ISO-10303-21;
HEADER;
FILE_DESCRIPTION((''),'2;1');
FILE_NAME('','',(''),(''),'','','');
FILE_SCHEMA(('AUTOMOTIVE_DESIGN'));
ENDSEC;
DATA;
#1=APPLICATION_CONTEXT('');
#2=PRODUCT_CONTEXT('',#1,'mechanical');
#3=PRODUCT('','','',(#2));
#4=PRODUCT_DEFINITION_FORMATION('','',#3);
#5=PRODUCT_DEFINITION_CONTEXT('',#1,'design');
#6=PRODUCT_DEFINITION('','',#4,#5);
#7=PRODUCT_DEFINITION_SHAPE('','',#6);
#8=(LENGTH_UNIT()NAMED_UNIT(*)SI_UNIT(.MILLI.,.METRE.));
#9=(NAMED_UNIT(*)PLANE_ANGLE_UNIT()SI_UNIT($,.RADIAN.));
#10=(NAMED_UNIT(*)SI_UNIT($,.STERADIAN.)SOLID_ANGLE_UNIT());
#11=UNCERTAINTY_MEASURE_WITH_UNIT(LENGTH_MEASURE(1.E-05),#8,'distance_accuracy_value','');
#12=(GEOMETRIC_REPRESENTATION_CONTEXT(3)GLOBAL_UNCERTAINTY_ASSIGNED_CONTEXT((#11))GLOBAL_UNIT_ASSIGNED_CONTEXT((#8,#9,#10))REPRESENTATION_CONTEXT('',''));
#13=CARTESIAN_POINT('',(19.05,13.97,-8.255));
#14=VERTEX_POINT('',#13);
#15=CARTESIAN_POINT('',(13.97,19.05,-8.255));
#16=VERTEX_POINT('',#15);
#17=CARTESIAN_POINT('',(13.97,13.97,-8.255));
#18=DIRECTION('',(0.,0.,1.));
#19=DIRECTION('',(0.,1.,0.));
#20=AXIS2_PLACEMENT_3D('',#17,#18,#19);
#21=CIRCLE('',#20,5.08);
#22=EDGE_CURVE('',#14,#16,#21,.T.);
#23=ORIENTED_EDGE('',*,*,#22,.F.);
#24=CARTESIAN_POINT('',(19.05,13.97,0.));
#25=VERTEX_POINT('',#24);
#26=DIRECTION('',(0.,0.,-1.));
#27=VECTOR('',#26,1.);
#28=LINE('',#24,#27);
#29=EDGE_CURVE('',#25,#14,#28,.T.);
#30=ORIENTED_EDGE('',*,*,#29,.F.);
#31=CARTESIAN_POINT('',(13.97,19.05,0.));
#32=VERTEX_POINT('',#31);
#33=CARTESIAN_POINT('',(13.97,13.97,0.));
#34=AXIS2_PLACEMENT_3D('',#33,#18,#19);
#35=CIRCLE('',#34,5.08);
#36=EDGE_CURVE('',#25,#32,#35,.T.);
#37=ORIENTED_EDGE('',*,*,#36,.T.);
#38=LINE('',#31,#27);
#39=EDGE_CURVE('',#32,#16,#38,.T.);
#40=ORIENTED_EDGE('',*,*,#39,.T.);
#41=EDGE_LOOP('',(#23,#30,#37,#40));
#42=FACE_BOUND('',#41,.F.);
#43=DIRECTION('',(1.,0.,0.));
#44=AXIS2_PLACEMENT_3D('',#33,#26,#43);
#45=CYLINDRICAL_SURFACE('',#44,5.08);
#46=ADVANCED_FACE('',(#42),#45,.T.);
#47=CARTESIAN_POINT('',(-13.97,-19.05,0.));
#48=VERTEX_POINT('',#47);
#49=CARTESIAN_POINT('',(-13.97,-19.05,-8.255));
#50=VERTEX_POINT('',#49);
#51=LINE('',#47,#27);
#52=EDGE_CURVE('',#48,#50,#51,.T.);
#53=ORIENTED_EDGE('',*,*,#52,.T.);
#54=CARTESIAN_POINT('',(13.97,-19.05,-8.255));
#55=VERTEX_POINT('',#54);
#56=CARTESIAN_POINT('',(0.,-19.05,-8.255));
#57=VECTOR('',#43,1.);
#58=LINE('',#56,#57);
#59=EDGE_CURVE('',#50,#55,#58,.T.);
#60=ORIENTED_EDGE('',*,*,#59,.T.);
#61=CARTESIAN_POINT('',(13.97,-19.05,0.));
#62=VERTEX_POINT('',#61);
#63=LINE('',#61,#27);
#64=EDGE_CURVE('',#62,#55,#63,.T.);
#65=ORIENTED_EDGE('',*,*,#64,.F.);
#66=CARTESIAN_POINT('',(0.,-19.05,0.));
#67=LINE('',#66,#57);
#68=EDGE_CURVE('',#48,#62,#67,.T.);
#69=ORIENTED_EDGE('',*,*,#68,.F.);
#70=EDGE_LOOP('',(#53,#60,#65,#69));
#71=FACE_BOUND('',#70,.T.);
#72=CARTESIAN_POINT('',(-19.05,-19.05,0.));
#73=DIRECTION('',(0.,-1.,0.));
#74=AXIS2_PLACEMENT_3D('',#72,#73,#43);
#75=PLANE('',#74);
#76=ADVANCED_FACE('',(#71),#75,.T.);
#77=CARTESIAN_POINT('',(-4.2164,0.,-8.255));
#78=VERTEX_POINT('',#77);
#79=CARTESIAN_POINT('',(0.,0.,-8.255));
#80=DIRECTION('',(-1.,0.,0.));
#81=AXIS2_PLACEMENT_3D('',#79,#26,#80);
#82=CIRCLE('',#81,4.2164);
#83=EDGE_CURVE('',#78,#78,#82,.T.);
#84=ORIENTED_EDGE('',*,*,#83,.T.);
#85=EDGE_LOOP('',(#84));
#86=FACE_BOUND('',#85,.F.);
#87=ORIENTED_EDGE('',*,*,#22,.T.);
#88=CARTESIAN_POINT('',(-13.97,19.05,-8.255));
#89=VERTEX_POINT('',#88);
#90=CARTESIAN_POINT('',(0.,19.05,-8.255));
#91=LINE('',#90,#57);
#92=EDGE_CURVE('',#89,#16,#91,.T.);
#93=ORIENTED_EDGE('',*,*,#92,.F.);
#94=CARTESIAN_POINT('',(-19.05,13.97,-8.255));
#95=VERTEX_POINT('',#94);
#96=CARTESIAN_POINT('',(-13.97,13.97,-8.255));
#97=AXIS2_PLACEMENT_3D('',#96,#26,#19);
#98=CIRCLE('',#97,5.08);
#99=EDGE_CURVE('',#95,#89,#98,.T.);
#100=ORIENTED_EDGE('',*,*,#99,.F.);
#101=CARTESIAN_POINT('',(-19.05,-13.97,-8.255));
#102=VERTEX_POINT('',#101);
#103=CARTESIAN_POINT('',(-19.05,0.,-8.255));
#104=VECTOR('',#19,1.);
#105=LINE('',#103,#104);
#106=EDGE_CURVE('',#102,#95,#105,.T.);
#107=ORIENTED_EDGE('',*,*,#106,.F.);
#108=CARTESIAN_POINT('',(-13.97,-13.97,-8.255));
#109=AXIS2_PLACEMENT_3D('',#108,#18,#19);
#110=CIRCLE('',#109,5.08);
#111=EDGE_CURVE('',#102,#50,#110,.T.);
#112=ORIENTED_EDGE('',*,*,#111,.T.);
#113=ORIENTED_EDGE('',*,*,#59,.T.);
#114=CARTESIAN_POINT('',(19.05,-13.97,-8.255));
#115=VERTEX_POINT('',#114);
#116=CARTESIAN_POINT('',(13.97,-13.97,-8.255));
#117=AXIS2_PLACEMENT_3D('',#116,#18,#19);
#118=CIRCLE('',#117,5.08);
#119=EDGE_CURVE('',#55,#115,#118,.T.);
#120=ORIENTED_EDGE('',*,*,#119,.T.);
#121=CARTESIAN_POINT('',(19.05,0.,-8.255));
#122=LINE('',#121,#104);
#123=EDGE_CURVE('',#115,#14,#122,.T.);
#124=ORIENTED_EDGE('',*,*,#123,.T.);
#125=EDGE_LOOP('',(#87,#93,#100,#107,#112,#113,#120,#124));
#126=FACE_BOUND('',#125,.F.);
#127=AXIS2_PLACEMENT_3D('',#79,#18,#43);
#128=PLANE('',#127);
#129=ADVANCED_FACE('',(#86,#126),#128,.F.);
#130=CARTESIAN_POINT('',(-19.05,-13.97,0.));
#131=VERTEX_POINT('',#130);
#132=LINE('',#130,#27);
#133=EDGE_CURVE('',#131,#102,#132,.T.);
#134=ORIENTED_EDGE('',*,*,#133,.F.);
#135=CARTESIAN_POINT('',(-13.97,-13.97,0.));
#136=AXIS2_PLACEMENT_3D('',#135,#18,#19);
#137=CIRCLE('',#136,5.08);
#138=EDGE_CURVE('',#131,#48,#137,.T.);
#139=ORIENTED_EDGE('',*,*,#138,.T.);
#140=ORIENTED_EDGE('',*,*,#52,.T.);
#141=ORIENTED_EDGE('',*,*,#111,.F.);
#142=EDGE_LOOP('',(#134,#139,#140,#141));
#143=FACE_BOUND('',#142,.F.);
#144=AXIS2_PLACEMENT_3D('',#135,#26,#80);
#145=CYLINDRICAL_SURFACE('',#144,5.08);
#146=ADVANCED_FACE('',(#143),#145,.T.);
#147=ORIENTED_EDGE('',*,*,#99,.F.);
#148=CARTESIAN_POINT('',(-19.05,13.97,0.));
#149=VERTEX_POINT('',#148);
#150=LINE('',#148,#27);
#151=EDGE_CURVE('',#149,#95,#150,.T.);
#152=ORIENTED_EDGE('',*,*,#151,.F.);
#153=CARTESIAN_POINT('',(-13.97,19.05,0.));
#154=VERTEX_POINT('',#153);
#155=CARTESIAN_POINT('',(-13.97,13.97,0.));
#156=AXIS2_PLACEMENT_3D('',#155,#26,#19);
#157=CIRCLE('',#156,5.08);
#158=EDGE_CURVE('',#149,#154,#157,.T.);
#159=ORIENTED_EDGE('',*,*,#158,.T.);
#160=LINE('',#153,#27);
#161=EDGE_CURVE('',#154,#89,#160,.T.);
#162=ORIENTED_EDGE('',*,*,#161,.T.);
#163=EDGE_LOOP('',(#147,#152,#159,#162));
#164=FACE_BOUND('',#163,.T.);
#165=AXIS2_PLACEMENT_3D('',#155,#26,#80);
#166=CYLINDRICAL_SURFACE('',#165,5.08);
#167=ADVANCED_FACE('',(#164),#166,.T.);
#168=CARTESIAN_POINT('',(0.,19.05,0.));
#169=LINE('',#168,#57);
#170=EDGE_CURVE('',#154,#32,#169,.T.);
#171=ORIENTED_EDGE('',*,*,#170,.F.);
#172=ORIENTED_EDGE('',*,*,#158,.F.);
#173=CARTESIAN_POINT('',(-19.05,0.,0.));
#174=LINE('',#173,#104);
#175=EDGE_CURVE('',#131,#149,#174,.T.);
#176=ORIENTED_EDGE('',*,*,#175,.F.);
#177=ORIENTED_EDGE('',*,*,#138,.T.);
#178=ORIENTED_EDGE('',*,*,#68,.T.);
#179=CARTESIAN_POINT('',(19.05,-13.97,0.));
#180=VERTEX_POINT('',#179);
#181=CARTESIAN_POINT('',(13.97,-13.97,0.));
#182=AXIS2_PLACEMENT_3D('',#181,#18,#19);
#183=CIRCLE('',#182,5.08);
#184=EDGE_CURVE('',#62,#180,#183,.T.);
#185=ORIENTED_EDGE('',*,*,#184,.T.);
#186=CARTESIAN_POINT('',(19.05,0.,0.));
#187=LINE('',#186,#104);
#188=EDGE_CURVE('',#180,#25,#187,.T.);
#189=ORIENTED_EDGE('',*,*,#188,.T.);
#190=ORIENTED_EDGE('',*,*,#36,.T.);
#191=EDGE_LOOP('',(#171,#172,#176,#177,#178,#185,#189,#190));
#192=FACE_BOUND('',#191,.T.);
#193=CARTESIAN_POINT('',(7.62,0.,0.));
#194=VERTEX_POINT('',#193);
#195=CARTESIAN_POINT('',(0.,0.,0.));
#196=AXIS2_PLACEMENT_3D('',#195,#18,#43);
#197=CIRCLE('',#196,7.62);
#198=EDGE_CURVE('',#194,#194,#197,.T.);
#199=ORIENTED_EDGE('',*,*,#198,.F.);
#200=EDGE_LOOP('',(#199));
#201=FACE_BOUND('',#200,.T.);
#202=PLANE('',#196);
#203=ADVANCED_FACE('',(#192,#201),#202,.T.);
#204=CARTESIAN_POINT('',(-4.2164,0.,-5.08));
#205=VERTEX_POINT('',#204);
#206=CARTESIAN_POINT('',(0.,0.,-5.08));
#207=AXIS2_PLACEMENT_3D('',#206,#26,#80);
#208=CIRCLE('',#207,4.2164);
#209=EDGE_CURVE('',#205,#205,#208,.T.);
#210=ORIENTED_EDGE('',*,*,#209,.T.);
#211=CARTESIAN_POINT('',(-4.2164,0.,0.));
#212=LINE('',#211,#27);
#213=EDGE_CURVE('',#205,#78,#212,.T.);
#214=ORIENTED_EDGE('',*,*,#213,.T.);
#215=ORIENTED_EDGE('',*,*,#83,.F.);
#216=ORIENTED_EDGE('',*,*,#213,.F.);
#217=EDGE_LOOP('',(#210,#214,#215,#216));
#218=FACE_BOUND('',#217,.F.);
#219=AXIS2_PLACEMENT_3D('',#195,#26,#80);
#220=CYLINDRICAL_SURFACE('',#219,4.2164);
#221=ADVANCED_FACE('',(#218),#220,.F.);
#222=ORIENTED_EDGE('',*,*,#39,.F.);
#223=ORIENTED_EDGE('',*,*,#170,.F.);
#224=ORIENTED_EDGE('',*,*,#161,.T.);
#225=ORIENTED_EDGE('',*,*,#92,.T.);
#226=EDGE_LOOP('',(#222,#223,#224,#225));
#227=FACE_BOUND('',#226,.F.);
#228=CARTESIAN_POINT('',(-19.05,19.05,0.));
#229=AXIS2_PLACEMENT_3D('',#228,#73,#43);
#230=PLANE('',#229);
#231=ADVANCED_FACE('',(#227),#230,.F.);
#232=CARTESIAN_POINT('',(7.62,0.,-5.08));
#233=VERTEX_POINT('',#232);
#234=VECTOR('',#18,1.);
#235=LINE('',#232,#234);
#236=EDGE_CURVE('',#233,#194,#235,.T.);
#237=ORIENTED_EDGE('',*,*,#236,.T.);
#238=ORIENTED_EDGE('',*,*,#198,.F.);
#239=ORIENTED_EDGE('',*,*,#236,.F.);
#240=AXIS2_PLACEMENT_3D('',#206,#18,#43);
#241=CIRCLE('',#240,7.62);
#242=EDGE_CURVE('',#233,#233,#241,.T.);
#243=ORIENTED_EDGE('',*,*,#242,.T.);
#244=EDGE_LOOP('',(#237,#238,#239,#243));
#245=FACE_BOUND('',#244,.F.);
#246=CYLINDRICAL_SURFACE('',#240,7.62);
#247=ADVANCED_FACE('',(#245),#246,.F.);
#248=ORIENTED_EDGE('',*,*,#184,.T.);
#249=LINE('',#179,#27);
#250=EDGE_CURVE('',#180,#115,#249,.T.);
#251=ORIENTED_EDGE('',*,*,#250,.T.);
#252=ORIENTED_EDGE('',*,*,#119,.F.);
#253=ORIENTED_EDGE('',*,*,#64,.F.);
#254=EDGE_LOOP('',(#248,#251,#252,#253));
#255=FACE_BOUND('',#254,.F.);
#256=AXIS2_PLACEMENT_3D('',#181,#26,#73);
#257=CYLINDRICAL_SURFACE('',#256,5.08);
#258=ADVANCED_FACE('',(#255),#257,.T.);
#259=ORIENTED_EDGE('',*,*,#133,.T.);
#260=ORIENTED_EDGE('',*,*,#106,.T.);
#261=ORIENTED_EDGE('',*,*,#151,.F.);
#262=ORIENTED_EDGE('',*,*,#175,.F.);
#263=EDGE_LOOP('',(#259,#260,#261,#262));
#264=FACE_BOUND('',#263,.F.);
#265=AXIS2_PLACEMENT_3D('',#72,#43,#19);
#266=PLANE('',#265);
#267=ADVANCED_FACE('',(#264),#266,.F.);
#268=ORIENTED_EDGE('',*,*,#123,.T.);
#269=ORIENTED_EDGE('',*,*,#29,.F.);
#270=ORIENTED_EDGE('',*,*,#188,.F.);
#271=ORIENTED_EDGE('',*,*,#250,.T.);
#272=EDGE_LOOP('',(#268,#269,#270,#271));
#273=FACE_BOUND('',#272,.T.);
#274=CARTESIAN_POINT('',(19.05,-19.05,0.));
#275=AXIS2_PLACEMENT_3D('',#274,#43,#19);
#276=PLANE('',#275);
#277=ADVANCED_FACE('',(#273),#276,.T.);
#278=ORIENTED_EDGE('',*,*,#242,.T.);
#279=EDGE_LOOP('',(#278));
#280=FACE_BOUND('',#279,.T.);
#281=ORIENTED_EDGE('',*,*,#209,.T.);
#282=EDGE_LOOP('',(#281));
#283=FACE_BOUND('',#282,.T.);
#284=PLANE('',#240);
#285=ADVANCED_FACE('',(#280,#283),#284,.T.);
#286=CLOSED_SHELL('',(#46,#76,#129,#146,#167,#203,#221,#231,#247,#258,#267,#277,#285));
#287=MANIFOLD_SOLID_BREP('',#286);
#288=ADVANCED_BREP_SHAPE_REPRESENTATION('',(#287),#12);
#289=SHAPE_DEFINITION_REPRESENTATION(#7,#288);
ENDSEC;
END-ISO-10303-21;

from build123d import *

# Parameters (mm, degrees)
F0_W           = 38.1
F0_H           = 38.1
F1_DEPTH       = 8.255
F2_R           = 5.08
F3_D           = 8.4328
F3_CBORE_D     = 15.24
F3_CBORE_DEPTH = 5.08


with BuildPart() as f1:
    # F0 (on Top) → F1 (new body)
    with BuildSketch(Plane.XY):
        Rectangle(F0_W, F0_H)
    extrude(amount=-F1_DEPTH)

    # F2
    f2_edges = [f1.edges().sort_by_distance(p)[0] for p in [
        (-19.05, 19.05, -4.1275),
        (-19.05, -19.05, -4.1275),
        (19.05, -19.05, -4.1275),
        (19.05, 19.05, -4.1275),
    ]]
    fillet(f2_edges, radius=F2_R)

    # F3 (through all)
    with Locations(Plane.XY):
        with Locations((0, 0)):
            CounterBoreHole(F3_D / 2, F3_CBORE_D / 2, F3_CBORE_DEPTH)


solid = f1.part
